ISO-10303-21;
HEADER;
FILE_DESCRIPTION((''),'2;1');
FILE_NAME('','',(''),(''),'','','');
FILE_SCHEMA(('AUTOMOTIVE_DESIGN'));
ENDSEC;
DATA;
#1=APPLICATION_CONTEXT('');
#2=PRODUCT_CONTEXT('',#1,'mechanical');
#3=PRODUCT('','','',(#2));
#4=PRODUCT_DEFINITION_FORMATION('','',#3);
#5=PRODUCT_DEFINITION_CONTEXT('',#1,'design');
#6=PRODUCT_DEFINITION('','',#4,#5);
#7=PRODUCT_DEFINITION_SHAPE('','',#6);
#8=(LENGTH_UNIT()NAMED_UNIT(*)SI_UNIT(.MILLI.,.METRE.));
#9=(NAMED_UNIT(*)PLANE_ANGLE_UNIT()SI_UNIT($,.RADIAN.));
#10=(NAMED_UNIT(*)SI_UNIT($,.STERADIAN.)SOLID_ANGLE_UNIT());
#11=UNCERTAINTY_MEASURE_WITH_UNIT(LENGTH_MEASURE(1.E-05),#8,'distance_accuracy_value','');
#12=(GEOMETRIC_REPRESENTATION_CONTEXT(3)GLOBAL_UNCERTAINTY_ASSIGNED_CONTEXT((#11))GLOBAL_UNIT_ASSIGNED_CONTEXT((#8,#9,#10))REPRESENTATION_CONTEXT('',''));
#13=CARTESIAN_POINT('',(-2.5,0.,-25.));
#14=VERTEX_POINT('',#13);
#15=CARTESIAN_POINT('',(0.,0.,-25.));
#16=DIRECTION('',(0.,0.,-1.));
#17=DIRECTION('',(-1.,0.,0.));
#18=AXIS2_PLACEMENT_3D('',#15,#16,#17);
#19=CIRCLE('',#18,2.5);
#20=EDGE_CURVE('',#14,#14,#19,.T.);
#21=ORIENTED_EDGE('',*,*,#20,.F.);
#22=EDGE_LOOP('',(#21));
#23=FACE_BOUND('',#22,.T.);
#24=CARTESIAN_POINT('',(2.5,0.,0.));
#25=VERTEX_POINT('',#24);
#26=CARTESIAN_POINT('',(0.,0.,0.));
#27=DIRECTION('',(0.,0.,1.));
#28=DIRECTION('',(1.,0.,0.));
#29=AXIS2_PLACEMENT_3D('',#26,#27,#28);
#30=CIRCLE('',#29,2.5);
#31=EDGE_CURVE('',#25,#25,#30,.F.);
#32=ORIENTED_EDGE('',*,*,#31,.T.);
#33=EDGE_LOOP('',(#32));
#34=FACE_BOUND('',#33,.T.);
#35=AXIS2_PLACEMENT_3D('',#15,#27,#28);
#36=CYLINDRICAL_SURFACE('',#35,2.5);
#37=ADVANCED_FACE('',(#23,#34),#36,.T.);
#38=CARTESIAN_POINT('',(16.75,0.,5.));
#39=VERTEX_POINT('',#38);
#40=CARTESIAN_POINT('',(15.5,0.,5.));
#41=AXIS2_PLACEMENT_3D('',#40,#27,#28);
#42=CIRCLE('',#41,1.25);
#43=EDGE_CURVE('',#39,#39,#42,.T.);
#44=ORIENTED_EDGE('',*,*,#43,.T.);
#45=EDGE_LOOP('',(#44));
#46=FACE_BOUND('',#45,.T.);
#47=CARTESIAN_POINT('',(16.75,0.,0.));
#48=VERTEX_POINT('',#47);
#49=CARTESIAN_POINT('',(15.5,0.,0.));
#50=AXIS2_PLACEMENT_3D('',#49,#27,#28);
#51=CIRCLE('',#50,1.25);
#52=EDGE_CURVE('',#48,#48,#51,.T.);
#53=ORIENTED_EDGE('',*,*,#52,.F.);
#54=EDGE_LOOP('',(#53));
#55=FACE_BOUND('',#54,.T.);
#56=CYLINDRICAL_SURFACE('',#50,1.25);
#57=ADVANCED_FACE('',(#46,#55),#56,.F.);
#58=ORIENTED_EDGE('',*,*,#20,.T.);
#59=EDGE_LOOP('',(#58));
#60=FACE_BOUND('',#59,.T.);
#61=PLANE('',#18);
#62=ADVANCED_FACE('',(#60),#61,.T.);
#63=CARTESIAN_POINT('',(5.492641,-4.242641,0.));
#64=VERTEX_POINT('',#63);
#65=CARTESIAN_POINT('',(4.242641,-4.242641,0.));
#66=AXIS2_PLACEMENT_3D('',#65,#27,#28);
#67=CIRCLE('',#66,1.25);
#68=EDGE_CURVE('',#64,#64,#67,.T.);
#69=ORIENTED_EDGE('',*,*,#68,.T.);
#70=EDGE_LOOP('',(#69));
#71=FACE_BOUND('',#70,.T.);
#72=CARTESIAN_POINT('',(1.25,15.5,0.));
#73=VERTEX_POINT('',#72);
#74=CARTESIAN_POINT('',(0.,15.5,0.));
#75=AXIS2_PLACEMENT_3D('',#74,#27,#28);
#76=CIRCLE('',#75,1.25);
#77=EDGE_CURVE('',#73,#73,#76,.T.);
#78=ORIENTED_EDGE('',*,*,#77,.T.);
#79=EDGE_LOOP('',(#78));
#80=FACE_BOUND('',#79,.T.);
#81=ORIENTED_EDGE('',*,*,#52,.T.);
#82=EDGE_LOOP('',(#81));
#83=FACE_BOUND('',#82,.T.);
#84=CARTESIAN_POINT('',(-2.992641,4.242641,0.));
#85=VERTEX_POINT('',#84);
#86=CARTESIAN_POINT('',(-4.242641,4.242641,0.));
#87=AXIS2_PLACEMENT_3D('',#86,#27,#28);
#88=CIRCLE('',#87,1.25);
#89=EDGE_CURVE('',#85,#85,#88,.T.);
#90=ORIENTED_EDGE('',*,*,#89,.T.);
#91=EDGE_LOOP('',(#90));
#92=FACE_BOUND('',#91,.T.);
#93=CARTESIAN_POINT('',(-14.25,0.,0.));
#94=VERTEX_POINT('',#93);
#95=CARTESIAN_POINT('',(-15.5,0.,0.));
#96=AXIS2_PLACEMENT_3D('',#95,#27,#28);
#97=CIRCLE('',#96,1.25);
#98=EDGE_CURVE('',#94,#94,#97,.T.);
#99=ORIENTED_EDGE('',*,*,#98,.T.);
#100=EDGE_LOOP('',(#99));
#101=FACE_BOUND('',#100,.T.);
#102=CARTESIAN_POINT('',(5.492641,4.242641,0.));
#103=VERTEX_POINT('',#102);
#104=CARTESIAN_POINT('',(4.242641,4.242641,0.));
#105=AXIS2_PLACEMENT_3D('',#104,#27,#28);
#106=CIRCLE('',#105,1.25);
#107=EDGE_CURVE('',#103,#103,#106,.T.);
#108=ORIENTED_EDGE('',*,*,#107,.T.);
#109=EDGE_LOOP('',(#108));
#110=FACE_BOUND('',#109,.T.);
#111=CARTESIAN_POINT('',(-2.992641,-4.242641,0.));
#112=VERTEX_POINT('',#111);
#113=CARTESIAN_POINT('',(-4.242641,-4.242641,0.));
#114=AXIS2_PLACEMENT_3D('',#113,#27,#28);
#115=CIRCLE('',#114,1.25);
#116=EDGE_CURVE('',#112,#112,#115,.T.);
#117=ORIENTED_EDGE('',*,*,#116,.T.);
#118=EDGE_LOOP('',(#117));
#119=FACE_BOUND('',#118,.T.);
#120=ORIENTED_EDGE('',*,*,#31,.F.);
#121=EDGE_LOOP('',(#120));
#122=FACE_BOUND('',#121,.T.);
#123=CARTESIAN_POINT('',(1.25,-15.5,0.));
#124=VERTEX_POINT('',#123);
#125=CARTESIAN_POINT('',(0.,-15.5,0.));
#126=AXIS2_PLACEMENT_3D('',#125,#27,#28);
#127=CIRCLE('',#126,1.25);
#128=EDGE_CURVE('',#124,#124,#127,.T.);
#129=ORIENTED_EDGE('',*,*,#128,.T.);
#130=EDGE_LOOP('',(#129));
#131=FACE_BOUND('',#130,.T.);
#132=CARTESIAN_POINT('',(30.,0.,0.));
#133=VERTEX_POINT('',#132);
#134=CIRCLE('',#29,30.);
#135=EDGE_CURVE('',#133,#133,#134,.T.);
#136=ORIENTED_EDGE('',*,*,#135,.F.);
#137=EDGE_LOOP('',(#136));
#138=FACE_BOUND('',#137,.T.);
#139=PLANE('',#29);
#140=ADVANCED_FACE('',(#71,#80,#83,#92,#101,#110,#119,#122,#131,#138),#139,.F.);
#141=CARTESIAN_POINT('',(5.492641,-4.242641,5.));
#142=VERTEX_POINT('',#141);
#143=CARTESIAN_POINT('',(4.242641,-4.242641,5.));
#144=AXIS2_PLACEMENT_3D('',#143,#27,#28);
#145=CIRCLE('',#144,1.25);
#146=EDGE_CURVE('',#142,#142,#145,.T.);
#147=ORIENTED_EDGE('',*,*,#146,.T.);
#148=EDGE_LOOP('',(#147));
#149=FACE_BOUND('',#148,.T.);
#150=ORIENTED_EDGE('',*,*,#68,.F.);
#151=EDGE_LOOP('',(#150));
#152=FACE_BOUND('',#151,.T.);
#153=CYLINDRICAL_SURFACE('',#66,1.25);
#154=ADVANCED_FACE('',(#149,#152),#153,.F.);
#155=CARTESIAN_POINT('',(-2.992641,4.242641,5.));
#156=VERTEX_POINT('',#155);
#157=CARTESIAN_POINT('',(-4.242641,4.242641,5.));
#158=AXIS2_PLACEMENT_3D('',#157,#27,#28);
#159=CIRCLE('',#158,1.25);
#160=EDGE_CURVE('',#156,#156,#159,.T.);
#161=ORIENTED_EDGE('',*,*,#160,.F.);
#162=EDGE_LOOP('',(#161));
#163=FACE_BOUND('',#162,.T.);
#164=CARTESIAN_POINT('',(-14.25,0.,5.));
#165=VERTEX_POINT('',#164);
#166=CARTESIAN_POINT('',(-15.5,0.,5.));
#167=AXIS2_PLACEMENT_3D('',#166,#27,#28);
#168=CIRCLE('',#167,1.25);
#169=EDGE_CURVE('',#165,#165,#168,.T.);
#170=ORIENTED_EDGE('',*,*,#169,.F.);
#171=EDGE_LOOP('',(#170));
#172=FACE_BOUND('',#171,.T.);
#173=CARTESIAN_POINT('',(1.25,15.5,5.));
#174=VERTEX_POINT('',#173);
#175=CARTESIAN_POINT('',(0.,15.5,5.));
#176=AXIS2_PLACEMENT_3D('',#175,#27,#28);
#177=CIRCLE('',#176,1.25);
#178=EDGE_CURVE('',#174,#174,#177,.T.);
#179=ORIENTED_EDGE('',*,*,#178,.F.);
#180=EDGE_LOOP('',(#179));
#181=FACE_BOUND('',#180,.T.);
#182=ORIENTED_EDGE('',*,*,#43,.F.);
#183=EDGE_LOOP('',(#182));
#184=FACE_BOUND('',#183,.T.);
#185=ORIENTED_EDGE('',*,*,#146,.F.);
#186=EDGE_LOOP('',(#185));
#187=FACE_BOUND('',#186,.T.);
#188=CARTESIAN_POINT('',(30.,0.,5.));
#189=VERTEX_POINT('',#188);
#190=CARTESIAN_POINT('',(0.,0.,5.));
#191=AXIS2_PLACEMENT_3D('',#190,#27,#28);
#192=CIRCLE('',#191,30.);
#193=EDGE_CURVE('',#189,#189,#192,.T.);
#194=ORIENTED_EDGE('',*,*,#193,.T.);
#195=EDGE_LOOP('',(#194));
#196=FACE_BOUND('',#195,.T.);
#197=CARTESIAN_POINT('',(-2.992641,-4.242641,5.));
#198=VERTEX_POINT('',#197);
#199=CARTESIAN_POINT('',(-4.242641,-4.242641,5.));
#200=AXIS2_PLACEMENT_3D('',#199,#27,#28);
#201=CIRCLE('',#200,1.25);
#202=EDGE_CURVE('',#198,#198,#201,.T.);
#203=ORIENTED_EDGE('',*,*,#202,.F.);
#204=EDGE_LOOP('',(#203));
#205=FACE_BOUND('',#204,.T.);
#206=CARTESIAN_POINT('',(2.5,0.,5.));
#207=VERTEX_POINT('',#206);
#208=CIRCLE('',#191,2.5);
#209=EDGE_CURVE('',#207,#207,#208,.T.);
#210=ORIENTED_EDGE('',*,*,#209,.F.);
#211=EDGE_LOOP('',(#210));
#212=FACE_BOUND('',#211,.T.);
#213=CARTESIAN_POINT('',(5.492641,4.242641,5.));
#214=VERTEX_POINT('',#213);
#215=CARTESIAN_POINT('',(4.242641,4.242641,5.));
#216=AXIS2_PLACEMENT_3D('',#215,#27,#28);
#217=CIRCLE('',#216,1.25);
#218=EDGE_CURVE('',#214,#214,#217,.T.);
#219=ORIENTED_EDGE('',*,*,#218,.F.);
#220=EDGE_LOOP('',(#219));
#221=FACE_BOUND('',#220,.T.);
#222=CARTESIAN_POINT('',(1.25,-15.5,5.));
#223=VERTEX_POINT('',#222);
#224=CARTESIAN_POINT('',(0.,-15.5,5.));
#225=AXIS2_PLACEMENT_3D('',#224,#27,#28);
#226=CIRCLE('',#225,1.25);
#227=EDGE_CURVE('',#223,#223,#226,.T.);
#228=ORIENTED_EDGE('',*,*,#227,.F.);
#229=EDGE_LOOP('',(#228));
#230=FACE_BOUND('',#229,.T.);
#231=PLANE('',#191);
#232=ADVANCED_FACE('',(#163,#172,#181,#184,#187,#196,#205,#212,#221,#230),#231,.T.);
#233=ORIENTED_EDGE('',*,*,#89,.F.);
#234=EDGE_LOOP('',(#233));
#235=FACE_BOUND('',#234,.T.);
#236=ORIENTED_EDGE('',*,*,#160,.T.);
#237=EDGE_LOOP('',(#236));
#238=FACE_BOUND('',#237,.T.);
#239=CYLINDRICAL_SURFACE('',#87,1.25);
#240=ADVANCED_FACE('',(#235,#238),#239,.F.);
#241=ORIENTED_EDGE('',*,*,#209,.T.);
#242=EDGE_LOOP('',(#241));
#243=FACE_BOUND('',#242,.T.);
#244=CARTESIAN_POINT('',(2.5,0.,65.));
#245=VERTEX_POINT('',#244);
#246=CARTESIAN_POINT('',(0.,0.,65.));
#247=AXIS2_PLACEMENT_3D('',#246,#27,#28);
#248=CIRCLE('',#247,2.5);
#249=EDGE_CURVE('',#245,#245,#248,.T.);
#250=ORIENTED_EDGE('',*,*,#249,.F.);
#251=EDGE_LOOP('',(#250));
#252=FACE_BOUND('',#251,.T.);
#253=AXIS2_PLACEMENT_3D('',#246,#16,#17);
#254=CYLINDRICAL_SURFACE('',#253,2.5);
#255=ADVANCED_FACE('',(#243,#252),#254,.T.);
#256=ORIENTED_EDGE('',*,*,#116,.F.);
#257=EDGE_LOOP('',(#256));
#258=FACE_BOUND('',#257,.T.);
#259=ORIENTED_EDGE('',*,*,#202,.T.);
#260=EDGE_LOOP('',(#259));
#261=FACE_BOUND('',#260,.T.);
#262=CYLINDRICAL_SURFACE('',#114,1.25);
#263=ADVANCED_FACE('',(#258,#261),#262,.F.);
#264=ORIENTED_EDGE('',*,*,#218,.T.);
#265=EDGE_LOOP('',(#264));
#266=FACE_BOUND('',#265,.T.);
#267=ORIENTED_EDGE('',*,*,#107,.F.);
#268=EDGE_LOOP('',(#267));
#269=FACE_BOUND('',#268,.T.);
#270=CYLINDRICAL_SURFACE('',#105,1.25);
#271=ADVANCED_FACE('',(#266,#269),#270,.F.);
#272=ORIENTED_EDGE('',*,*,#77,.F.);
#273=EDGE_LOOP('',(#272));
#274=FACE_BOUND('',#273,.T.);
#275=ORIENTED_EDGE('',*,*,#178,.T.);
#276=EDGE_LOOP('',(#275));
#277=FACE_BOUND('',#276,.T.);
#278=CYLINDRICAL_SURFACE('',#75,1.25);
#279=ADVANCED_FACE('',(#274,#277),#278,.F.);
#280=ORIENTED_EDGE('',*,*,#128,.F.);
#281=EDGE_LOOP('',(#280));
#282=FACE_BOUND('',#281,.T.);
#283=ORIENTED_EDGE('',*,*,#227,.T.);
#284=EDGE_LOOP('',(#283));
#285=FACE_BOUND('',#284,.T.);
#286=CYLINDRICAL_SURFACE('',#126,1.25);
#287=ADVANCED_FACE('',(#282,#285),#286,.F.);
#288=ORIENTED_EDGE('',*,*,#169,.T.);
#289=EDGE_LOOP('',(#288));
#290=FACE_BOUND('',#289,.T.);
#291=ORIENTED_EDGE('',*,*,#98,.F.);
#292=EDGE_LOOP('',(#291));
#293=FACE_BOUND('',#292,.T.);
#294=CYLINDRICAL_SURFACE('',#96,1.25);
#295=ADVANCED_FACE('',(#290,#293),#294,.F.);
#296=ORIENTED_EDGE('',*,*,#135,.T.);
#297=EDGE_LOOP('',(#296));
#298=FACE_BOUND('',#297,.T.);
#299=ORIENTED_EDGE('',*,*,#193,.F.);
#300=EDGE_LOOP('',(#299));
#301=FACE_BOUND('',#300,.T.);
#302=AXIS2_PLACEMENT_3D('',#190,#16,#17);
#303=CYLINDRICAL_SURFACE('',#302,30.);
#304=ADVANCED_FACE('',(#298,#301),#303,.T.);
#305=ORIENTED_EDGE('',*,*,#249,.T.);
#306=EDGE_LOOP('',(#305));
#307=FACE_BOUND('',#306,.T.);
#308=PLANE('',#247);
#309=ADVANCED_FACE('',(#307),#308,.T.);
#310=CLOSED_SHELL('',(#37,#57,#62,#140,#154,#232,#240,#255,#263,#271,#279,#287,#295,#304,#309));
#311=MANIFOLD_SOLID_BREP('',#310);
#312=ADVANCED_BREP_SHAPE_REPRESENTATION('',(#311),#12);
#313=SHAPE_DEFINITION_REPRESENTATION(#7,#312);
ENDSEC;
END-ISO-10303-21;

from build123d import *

# Parameters (mm, degrees)
SKETCH1_R           = 30
BOSS_EXTRUDE1_DEPTH = 5
SKETCH2_R           = 1.25
CUT_EXTRUDE1_DEPTH  = 5
SKETCH3_R           = 2.5
BOSS_EXTRUDE2_DEPTH = 25
BOSS_EXTRUDE3_START = 60
SKETCH4_R           = 2.5
BOSS_EXTRUDE3_DEPTH = 60


with BuildPart() as part:
    # Sketch1 → Boss-Extrude1 (new body)
    with BuildSketch(Plane.XY):
        Circle(SKETCH1_R)
    extrude(amount=BOSS_EXTRUDE1_DEPTH)

    # Sketch2 → Cut-Extrude1 (cut)
    with BuildSketch(Plane.XY.offset(5)):
        with Locations((0, 15.5)):
            Circle(SKETCH2_R)
        with Locations((15.5, 0)):
            Circle(SKETCH2_R)
        with Locations((0, -15.5)):
            Circle(SKETCH2_R)
        with Locations((-15.5, 0)):
            Circle(SKETCH2_R)
        with Locations((4.242640687, 4.242640687)):
            Circle(SKETCH2_R)
        with Locations((4.242640687, -4.242640687)):
            Circle(SKETCH2_R)
        with Locations((-4.242640687, -4.242640687)):
            Circle(SKETCH2_R)
        with Locations((-4.242640687, 4.242640687)):
            Circle(SKETCH2_R)
    extrude(amount=-CUT_EXTRUDE1_DEPTH, mode=Mode.SUBTRACT)

    # Sketch3 → Boss-Extrude2 (add)
    with BuildSketch(Plane(origin=(0, 0, 0), x_dir=(-1, 0, 0), z_dir=(0, 0, -1))):
        with Locations(Location((0, 0, 0), (0, 0, 180))):
            Circle(SKETCH3_R)
    extrude(amount=BOSS_EXTRUDE2_DEPTH)

    # Sketch4 → Boss-Extrude3 (add)
    with BuildSketch(Plane.XY.offset(5).offset(BOSS_EXTRUDE3_START)):
        Circle(SKETCH4_R)
    extrude(amount=-BOSS_EXTRUDE3_DEPTH)


solid = part.part
